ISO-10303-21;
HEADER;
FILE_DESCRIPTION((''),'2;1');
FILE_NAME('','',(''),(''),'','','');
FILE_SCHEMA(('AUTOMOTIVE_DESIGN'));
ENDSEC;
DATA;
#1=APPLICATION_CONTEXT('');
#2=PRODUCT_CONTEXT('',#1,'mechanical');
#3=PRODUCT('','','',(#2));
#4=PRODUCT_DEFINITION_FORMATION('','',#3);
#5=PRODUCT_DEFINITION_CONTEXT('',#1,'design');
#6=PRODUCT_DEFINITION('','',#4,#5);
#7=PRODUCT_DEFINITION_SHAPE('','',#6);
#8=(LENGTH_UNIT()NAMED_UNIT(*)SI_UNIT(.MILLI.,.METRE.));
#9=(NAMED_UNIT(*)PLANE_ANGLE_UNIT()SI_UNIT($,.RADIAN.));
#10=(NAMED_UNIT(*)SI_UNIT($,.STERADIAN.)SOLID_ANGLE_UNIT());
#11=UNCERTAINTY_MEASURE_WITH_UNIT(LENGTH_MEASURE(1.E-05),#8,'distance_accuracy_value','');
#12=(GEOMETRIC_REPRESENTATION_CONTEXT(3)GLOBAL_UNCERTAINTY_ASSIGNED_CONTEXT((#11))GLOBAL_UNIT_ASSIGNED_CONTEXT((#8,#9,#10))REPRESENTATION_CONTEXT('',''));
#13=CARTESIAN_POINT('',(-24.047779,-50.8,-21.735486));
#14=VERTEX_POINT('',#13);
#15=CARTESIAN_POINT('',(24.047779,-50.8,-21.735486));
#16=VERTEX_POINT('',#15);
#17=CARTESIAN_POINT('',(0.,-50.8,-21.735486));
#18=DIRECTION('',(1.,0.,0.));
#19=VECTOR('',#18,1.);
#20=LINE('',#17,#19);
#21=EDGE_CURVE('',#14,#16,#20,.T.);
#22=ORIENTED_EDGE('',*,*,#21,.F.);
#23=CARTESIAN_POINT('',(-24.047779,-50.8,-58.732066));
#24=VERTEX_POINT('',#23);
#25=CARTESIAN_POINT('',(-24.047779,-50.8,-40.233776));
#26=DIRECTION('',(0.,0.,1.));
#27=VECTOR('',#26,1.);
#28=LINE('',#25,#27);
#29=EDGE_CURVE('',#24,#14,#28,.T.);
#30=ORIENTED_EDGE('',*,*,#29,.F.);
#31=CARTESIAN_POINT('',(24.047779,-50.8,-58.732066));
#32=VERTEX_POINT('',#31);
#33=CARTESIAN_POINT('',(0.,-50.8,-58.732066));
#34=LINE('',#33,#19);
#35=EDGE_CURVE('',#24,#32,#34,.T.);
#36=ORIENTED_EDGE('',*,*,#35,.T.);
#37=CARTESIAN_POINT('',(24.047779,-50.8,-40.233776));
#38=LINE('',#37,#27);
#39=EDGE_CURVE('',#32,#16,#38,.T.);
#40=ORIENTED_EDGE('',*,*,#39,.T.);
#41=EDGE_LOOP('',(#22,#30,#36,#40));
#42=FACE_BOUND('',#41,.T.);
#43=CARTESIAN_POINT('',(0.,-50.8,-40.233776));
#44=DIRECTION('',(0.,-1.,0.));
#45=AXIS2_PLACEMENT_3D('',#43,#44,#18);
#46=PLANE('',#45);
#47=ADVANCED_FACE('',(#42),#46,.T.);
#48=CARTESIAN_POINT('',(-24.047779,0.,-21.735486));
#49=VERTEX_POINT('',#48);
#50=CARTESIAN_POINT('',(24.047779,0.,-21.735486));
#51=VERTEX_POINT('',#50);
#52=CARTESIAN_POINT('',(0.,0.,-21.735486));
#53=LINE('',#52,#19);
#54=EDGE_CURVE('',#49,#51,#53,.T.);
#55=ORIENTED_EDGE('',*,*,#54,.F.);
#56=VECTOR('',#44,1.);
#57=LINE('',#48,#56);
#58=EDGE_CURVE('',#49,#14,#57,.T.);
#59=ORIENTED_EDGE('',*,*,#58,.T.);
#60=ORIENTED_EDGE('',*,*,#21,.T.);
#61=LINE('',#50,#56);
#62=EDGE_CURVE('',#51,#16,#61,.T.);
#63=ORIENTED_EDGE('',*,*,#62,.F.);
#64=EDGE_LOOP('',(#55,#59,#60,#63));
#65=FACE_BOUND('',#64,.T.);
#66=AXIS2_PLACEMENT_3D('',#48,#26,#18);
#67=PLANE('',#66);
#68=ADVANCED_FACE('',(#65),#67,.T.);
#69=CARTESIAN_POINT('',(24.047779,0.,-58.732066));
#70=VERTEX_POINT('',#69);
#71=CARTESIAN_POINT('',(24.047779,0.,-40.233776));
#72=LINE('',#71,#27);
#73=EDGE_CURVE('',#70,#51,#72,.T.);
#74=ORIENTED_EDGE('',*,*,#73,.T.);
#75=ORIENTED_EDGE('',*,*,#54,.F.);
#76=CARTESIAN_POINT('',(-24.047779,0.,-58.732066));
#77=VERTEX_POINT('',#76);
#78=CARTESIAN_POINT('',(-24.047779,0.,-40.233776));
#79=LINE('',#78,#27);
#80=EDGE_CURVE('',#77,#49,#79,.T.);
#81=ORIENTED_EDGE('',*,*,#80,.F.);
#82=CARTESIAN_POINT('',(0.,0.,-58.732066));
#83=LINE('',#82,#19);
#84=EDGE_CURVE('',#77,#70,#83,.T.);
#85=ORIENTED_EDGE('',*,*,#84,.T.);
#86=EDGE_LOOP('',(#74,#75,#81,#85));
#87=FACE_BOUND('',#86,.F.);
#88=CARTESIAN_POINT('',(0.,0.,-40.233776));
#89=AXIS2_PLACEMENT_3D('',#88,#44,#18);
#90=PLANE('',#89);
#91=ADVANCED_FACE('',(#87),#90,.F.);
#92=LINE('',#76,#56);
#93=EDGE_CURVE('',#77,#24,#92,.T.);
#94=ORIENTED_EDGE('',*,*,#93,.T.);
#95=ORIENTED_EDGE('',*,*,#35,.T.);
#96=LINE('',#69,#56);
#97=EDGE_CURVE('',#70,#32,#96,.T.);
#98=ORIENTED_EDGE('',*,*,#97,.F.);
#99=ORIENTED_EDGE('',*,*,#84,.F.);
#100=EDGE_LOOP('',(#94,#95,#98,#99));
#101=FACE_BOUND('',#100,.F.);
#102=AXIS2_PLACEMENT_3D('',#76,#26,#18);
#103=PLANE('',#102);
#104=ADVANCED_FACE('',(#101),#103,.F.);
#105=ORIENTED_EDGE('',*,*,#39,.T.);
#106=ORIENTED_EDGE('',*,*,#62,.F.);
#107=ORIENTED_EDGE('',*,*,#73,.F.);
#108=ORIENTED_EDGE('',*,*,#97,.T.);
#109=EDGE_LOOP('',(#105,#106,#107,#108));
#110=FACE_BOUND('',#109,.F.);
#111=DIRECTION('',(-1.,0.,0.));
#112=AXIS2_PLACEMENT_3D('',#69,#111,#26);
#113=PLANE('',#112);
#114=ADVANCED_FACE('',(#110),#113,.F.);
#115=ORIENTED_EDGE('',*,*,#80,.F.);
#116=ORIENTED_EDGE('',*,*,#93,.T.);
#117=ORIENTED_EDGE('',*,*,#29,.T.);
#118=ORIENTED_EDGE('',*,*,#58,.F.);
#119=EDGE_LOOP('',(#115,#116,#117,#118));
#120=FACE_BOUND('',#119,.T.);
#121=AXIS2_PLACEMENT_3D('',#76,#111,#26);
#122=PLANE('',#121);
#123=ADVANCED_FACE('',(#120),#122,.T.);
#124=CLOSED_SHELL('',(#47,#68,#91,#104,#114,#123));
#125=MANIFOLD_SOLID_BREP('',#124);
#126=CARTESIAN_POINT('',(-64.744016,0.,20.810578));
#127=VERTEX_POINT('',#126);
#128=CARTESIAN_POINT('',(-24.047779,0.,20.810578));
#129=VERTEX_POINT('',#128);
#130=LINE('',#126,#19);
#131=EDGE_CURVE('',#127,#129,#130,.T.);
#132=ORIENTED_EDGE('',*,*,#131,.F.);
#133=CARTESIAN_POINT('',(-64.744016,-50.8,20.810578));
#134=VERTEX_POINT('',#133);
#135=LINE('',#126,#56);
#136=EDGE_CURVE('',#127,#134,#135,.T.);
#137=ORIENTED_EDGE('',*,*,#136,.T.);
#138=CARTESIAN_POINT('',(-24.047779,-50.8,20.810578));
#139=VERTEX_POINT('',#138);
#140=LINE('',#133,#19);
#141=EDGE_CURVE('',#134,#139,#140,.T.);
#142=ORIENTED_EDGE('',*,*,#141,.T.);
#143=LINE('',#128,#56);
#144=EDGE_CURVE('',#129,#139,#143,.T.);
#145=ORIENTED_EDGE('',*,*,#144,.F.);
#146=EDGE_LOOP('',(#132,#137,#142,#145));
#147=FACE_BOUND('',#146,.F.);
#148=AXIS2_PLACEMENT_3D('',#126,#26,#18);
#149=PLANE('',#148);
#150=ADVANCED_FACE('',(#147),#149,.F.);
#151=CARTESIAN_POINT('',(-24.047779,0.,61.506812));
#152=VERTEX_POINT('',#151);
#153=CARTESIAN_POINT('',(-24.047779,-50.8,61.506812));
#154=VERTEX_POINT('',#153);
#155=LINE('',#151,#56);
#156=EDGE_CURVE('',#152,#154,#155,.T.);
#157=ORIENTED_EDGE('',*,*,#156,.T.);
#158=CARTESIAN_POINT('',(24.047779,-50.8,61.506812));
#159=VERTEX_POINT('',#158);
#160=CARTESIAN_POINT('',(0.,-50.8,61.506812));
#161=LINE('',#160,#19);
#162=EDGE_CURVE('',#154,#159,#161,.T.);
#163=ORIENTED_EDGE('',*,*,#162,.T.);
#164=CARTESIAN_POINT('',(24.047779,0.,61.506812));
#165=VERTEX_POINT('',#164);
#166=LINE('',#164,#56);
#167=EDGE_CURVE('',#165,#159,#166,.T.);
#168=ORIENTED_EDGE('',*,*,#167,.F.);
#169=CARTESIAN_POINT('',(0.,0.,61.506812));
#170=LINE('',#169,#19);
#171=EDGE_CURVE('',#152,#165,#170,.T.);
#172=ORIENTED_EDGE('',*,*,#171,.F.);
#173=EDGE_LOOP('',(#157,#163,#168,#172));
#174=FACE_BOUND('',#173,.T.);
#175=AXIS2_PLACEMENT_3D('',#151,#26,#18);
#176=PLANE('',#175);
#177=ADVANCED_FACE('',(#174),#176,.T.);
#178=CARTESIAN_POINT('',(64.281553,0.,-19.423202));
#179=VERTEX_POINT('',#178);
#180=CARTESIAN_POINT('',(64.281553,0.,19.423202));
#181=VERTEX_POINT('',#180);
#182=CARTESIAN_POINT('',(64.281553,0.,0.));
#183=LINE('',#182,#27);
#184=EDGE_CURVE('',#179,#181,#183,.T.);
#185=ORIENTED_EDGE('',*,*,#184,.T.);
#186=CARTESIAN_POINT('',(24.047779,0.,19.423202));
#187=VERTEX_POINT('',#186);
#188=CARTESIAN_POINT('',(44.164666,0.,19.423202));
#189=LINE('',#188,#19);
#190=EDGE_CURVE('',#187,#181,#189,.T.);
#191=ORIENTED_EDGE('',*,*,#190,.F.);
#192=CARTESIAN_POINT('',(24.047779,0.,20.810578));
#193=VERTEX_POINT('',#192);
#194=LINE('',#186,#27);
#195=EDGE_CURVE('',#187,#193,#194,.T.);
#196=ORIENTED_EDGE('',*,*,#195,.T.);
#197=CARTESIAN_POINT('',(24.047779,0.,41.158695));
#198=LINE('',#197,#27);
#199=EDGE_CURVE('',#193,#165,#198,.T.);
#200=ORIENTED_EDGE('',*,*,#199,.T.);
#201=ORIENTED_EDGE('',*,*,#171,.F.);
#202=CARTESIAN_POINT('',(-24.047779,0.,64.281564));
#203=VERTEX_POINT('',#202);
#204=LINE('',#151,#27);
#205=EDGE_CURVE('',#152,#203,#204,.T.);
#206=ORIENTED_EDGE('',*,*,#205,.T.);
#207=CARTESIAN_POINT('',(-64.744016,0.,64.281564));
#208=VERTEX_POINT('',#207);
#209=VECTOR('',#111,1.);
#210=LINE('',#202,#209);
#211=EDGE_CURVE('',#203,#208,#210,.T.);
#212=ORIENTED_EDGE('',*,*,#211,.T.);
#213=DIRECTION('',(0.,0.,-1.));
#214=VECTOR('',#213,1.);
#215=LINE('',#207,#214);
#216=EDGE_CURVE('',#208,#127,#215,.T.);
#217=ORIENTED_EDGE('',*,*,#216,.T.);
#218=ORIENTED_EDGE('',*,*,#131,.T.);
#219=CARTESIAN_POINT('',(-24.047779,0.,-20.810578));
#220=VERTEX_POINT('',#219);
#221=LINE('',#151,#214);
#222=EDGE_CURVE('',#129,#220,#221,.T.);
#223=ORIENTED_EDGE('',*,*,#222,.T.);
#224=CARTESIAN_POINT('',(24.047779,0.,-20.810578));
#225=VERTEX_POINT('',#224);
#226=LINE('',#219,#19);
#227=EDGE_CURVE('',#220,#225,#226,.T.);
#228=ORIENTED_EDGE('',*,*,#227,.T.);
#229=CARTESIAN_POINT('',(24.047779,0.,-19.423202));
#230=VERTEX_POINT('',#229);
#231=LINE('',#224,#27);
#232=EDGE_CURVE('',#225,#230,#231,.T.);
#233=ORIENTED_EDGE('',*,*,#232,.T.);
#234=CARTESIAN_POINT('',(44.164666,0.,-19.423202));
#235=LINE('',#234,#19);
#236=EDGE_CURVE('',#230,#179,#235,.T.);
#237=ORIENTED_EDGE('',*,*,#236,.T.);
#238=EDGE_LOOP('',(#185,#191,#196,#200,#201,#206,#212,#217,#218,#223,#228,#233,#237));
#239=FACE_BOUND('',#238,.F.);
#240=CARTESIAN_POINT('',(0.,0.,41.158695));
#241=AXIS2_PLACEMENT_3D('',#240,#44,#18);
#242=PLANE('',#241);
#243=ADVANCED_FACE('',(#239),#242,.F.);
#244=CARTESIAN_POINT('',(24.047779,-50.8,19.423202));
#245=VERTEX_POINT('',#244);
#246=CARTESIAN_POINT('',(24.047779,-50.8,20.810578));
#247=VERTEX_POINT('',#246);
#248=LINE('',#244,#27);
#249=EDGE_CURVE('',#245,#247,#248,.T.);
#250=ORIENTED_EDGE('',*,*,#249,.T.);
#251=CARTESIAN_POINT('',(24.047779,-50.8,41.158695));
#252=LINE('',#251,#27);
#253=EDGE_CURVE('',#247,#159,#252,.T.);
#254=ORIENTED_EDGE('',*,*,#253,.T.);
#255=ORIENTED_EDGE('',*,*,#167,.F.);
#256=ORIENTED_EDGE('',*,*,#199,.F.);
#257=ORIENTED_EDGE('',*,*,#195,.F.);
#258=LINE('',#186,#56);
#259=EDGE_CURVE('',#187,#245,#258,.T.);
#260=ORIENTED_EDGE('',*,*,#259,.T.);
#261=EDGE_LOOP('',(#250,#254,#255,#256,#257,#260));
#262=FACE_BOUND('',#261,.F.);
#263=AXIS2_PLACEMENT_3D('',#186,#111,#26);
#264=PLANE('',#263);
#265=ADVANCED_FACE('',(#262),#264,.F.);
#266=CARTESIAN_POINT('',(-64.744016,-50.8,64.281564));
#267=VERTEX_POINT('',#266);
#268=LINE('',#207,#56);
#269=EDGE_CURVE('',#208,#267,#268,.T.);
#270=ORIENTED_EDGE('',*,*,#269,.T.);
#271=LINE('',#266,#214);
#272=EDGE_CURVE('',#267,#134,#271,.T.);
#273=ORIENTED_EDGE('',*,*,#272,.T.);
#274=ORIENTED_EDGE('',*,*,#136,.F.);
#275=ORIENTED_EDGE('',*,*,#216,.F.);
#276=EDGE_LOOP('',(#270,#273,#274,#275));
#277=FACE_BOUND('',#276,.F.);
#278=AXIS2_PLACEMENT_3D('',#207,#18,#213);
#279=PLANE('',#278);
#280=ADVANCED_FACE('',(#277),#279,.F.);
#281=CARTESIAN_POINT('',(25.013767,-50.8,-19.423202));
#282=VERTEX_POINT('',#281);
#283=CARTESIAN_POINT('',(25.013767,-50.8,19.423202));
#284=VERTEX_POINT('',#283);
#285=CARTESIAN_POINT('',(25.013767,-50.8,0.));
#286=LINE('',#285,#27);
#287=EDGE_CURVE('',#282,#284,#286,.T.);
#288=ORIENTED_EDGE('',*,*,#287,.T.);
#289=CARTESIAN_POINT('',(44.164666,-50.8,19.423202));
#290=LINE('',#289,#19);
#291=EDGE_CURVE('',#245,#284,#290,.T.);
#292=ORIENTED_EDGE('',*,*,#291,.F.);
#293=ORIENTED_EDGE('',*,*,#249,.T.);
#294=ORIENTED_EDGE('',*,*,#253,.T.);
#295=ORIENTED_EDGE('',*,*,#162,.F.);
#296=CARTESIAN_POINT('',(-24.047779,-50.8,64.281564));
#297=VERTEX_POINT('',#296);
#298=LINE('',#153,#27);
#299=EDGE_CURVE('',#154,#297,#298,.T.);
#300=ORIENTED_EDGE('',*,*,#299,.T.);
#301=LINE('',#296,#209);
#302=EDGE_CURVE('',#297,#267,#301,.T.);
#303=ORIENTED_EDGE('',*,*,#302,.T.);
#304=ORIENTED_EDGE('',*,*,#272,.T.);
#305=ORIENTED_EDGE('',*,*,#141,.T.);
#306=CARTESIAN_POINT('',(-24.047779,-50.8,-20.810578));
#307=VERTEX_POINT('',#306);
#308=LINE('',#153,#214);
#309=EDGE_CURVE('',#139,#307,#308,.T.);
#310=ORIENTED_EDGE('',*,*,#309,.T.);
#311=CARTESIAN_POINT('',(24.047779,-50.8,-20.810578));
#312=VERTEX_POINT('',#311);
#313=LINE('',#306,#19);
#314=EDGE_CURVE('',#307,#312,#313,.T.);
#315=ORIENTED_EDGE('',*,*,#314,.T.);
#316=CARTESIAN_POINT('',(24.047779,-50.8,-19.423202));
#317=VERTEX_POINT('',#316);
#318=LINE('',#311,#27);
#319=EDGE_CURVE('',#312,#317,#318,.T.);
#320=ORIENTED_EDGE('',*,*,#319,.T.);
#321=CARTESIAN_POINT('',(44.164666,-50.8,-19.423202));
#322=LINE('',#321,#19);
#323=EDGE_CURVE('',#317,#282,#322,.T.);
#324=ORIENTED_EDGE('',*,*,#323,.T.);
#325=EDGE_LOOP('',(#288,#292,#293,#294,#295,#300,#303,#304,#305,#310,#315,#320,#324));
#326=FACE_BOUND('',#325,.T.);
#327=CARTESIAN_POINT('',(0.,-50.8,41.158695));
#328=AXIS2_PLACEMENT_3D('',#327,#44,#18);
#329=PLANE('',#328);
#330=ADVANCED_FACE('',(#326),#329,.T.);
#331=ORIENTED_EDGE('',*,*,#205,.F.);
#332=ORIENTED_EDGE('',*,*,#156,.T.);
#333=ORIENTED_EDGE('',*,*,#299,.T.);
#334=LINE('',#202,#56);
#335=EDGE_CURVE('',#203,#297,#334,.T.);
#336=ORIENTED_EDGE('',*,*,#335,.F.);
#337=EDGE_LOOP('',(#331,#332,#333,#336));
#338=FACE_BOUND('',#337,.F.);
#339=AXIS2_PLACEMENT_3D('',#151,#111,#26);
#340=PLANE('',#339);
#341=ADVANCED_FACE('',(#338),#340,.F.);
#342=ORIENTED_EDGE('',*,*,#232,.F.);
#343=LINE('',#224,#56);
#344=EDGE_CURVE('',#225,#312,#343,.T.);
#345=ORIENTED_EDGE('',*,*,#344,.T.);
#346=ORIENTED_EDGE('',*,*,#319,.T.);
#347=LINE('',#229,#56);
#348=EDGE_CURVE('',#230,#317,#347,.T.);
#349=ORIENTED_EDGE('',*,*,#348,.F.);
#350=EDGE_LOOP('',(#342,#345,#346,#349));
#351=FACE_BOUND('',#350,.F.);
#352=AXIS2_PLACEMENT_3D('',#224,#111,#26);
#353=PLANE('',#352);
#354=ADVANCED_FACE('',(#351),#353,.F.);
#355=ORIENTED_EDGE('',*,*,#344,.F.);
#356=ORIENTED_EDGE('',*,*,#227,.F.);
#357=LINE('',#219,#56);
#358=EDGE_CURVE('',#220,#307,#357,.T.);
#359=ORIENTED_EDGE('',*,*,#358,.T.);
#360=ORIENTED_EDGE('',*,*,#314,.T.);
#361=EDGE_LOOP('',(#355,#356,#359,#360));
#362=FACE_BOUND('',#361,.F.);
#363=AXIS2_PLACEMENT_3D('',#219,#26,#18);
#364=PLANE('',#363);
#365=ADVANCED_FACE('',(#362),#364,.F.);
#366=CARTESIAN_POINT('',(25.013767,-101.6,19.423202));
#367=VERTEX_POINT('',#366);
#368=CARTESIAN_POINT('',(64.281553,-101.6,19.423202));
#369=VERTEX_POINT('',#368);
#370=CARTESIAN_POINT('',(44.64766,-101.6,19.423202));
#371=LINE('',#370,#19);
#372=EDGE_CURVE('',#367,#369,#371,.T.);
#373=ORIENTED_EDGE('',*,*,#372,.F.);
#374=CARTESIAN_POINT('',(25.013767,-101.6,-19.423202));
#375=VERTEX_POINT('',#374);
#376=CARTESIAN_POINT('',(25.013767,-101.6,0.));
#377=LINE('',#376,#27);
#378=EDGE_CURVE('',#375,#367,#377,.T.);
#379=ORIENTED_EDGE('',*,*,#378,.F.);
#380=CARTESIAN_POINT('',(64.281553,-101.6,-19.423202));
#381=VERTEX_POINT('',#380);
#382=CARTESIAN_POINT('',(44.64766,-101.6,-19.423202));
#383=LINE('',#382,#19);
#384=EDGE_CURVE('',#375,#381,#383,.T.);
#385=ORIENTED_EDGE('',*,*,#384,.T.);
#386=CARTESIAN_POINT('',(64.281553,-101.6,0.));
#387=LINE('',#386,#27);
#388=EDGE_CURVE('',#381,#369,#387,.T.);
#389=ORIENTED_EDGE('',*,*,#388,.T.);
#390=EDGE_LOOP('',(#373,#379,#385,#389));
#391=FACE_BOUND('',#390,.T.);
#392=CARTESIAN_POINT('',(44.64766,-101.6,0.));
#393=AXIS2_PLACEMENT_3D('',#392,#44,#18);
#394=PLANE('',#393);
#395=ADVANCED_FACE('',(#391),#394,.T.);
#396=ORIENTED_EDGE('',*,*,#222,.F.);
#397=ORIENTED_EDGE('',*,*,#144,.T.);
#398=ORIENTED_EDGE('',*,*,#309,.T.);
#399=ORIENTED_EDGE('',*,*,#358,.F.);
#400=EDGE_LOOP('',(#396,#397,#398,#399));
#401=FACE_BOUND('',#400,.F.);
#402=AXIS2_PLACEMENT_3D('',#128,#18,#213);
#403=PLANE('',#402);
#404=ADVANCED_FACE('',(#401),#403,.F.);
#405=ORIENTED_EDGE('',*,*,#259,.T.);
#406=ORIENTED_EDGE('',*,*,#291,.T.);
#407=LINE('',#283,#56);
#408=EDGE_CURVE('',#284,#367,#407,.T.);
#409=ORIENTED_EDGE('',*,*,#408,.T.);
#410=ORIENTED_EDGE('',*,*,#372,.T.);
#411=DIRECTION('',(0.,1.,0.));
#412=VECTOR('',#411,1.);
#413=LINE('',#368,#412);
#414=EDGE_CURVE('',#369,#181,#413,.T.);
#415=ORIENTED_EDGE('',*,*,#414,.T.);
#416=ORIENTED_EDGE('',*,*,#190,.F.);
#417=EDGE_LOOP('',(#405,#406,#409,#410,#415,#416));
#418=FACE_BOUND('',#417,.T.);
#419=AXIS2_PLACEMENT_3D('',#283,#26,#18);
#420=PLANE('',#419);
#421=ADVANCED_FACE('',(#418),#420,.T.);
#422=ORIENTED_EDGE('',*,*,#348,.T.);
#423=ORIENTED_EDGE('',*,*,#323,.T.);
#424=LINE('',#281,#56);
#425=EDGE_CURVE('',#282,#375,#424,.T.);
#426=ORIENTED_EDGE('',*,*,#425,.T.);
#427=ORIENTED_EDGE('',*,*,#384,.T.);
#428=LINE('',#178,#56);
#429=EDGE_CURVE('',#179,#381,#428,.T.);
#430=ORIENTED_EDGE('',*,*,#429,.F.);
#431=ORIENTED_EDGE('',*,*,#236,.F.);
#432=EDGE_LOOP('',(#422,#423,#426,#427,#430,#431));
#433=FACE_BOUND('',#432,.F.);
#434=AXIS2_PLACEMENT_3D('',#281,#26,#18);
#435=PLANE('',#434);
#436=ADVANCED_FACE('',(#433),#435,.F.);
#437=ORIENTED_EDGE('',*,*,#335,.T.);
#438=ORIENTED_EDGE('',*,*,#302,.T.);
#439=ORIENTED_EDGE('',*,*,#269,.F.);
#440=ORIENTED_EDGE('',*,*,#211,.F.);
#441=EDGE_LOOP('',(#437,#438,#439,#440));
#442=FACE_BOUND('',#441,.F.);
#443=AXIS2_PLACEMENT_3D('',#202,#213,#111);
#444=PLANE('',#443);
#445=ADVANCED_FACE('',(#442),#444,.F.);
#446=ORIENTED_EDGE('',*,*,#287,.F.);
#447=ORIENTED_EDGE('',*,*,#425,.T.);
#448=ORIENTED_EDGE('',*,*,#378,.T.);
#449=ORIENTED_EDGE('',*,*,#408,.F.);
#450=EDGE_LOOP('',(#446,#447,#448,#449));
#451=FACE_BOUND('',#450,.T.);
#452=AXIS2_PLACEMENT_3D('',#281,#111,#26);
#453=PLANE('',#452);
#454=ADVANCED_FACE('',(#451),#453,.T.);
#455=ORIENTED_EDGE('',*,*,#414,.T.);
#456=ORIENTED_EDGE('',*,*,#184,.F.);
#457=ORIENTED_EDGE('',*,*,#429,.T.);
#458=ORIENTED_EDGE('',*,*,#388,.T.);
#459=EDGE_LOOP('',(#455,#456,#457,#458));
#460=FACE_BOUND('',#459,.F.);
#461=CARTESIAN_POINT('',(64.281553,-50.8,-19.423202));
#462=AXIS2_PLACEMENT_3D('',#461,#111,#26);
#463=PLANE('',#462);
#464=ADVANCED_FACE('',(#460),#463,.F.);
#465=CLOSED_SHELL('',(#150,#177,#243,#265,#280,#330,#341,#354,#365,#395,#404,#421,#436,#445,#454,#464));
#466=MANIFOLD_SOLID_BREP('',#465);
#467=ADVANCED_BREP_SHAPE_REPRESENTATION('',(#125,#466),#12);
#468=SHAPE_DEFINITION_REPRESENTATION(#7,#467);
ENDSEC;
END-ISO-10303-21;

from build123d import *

# Parameters (mm, degrees)
F0_W     = 48.0955578387
F0_H     = 40.696233511
F0_W_2   = 40.2337741107
F0_H_2   = 38.8464033604
F0_W_3   = 0.4624519497
F1_DEPTH = 50.8
F0_H_3   = 36.9965806603
F2_W     = 39.2677858472
F2_H     = 38.8464033604
F3_DEPTH = 50.8


with BuildPart() as f1:
    # F0 (on Front) → F1 (new body)
    with BuildSketch(Plane.XZ):
        with Locations((0, 41.1586947739)):
            Rectangle(F0_W, F0_H)
        Polygon((24.0477789193, 20.8105780184), (-24.0477789193, 20.8105780184), (-24.0477789193, -20.8105780184), (24.0477789193, -20.8105780184), (24.0477789193, -19.4232016802), (23.5853269696, -19.4232016802), (23.5853269696, 19.4232016802), (24.0477789193, 19.4232016802), align=None)
        Polygon((-64.7440161556, 20.8105780184), (-24.0477789193, 20.8105780184), (-24.0477789193, 61.5068115294), (-24.0477789193, 64.2815642059), (-64.7440161556, 64.2815642059), align=None)
        with Locations((44.1646659747, 0)):
            Rectangle(F0_W_2, F0_H_2)
        with Locations((23.8165529445, 0)):
            Rectangle(F0_W_3, F0_H_2)
    extrude(amount=F1_DEPTH)

    # F2 (on face) → F3 (join)
    with BuildSketch(Plane.XZ.offset(50.8)):
        with Locations((44.6476601064, 0)):
            Rectangle(F2_W, F2_H)
    extrude(amount=F3_DEPTH)


with BuildPart() as f1b:
    # F0 (on Front) → F1, piece 2 (new body)
    with BuildSketch(Plane.XZ):
        with Locations((0, -40.2337759733)):
            Rectangle(F0_W, F0_H_3)
    extrude(amount=F1_DEPTH)


solid = Compound([f1.part, f1b.part])
